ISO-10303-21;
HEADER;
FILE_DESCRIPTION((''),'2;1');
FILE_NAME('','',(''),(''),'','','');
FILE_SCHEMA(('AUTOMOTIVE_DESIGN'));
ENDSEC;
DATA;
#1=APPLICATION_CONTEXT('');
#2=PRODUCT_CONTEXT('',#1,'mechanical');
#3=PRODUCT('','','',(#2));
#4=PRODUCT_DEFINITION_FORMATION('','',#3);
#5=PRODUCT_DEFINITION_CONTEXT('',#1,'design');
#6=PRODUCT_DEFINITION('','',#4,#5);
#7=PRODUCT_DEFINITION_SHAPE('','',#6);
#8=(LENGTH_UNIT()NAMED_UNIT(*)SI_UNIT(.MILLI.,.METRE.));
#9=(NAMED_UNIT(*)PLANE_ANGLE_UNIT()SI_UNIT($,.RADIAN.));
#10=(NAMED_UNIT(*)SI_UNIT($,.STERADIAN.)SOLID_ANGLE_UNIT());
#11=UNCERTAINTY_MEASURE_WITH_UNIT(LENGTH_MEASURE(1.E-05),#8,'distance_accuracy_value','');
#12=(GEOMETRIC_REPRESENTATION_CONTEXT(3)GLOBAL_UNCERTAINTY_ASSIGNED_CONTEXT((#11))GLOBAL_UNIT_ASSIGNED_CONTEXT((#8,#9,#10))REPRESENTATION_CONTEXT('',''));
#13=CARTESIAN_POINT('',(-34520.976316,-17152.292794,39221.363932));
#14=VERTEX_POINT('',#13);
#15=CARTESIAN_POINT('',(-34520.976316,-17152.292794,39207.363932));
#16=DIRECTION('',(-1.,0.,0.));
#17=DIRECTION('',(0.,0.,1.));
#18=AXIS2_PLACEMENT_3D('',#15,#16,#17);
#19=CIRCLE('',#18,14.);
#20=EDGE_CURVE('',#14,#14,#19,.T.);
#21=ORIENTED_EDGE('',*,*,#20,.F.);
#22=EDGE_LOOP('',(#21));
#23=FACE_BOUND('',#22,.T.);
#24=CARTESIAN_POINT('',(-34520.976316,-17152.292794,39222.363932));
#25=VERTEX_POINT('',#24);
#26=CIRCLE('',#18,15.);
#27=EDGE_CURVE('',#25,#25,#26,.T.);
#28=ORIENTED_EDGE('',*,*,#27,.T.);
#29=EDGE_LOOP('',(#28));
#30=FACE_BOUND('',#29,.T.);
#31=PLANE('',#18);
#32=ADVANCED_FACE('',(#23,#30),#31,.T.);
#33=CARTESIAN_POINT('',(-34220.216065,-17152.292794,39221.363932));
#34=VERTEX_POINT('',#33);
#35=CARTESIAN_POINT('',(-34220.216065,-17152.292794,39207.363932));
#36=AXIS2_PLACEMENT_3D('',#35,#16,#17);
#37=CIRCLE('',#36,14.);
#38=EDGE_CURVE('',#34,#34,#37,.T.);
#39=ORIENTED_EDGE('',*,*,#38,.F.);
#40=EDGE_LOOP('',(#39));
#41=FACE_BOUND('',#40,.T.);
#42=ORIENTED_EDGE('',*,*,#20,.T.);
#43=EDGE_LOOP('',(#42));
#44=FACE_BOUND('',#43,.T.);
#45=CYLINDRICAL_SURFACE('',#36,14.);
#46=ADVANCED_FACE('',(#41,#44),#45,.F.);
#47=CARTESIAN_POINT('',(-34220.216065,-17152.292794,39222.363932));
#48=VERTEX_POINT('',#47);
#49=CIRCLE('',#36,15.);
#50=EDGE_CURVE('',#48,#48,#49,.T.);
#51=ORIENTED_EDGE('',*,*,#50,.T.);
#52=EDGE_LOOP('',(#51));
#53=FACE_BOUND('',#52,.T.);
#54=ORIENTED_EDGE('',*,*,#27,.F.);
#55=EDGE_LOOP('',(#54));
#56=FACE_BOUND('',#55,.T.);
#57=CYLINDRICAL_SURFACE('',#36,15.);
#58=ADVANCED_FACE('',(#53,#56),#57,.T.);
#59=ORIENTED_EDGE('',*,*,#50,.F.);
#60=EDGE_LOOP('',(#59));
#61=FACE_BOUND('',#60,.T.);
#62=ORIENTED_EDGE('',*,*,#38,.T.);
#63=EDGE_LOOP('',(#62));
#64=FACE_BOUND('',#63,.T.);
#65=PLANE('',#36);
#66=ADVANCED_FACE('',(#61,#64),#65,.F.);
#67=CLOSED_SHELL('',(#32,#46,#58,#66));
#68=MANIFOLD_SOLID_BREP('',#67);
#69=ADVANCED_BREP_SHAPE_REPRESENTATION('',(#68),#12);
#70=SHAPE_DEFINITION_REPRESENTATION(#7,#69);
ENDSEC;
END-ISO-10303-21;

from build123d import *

# Parameters (mm, degrees)
SWEEP_THIN1_PROFILE_R   = 15
SWEEP_THIN1_PROFILE_R_2 = 14


with BuildPart() as part:
    # Sweep-Thin1: sweep along a curve in space
    with BuildLine() as sweep_thin1_path:
        Line((-34220.216064675, -17152.292793725, 39207.363931863), (-34520.976316453, -17152.292793725, 39207.363931863))
    # Sweep-Thin1 profile (on start of the path) → Sweep-Thin1 (sweep)
    with BuildSketch(Plane(origin=(-34220.216064675, -17152.292793725, 39207.363931863), x_dir=(0, 0, -1), z_dir=(-1, 0, 0))):
        Circle(SWEEP_THIN1_PROFILE_R)
        Circle(SWEEP_THIN1_PROFILE_R_2, mode=Mode.SUBTRACT)
    sweep(path=sweep_thin1_path.line)


solid = part.part
